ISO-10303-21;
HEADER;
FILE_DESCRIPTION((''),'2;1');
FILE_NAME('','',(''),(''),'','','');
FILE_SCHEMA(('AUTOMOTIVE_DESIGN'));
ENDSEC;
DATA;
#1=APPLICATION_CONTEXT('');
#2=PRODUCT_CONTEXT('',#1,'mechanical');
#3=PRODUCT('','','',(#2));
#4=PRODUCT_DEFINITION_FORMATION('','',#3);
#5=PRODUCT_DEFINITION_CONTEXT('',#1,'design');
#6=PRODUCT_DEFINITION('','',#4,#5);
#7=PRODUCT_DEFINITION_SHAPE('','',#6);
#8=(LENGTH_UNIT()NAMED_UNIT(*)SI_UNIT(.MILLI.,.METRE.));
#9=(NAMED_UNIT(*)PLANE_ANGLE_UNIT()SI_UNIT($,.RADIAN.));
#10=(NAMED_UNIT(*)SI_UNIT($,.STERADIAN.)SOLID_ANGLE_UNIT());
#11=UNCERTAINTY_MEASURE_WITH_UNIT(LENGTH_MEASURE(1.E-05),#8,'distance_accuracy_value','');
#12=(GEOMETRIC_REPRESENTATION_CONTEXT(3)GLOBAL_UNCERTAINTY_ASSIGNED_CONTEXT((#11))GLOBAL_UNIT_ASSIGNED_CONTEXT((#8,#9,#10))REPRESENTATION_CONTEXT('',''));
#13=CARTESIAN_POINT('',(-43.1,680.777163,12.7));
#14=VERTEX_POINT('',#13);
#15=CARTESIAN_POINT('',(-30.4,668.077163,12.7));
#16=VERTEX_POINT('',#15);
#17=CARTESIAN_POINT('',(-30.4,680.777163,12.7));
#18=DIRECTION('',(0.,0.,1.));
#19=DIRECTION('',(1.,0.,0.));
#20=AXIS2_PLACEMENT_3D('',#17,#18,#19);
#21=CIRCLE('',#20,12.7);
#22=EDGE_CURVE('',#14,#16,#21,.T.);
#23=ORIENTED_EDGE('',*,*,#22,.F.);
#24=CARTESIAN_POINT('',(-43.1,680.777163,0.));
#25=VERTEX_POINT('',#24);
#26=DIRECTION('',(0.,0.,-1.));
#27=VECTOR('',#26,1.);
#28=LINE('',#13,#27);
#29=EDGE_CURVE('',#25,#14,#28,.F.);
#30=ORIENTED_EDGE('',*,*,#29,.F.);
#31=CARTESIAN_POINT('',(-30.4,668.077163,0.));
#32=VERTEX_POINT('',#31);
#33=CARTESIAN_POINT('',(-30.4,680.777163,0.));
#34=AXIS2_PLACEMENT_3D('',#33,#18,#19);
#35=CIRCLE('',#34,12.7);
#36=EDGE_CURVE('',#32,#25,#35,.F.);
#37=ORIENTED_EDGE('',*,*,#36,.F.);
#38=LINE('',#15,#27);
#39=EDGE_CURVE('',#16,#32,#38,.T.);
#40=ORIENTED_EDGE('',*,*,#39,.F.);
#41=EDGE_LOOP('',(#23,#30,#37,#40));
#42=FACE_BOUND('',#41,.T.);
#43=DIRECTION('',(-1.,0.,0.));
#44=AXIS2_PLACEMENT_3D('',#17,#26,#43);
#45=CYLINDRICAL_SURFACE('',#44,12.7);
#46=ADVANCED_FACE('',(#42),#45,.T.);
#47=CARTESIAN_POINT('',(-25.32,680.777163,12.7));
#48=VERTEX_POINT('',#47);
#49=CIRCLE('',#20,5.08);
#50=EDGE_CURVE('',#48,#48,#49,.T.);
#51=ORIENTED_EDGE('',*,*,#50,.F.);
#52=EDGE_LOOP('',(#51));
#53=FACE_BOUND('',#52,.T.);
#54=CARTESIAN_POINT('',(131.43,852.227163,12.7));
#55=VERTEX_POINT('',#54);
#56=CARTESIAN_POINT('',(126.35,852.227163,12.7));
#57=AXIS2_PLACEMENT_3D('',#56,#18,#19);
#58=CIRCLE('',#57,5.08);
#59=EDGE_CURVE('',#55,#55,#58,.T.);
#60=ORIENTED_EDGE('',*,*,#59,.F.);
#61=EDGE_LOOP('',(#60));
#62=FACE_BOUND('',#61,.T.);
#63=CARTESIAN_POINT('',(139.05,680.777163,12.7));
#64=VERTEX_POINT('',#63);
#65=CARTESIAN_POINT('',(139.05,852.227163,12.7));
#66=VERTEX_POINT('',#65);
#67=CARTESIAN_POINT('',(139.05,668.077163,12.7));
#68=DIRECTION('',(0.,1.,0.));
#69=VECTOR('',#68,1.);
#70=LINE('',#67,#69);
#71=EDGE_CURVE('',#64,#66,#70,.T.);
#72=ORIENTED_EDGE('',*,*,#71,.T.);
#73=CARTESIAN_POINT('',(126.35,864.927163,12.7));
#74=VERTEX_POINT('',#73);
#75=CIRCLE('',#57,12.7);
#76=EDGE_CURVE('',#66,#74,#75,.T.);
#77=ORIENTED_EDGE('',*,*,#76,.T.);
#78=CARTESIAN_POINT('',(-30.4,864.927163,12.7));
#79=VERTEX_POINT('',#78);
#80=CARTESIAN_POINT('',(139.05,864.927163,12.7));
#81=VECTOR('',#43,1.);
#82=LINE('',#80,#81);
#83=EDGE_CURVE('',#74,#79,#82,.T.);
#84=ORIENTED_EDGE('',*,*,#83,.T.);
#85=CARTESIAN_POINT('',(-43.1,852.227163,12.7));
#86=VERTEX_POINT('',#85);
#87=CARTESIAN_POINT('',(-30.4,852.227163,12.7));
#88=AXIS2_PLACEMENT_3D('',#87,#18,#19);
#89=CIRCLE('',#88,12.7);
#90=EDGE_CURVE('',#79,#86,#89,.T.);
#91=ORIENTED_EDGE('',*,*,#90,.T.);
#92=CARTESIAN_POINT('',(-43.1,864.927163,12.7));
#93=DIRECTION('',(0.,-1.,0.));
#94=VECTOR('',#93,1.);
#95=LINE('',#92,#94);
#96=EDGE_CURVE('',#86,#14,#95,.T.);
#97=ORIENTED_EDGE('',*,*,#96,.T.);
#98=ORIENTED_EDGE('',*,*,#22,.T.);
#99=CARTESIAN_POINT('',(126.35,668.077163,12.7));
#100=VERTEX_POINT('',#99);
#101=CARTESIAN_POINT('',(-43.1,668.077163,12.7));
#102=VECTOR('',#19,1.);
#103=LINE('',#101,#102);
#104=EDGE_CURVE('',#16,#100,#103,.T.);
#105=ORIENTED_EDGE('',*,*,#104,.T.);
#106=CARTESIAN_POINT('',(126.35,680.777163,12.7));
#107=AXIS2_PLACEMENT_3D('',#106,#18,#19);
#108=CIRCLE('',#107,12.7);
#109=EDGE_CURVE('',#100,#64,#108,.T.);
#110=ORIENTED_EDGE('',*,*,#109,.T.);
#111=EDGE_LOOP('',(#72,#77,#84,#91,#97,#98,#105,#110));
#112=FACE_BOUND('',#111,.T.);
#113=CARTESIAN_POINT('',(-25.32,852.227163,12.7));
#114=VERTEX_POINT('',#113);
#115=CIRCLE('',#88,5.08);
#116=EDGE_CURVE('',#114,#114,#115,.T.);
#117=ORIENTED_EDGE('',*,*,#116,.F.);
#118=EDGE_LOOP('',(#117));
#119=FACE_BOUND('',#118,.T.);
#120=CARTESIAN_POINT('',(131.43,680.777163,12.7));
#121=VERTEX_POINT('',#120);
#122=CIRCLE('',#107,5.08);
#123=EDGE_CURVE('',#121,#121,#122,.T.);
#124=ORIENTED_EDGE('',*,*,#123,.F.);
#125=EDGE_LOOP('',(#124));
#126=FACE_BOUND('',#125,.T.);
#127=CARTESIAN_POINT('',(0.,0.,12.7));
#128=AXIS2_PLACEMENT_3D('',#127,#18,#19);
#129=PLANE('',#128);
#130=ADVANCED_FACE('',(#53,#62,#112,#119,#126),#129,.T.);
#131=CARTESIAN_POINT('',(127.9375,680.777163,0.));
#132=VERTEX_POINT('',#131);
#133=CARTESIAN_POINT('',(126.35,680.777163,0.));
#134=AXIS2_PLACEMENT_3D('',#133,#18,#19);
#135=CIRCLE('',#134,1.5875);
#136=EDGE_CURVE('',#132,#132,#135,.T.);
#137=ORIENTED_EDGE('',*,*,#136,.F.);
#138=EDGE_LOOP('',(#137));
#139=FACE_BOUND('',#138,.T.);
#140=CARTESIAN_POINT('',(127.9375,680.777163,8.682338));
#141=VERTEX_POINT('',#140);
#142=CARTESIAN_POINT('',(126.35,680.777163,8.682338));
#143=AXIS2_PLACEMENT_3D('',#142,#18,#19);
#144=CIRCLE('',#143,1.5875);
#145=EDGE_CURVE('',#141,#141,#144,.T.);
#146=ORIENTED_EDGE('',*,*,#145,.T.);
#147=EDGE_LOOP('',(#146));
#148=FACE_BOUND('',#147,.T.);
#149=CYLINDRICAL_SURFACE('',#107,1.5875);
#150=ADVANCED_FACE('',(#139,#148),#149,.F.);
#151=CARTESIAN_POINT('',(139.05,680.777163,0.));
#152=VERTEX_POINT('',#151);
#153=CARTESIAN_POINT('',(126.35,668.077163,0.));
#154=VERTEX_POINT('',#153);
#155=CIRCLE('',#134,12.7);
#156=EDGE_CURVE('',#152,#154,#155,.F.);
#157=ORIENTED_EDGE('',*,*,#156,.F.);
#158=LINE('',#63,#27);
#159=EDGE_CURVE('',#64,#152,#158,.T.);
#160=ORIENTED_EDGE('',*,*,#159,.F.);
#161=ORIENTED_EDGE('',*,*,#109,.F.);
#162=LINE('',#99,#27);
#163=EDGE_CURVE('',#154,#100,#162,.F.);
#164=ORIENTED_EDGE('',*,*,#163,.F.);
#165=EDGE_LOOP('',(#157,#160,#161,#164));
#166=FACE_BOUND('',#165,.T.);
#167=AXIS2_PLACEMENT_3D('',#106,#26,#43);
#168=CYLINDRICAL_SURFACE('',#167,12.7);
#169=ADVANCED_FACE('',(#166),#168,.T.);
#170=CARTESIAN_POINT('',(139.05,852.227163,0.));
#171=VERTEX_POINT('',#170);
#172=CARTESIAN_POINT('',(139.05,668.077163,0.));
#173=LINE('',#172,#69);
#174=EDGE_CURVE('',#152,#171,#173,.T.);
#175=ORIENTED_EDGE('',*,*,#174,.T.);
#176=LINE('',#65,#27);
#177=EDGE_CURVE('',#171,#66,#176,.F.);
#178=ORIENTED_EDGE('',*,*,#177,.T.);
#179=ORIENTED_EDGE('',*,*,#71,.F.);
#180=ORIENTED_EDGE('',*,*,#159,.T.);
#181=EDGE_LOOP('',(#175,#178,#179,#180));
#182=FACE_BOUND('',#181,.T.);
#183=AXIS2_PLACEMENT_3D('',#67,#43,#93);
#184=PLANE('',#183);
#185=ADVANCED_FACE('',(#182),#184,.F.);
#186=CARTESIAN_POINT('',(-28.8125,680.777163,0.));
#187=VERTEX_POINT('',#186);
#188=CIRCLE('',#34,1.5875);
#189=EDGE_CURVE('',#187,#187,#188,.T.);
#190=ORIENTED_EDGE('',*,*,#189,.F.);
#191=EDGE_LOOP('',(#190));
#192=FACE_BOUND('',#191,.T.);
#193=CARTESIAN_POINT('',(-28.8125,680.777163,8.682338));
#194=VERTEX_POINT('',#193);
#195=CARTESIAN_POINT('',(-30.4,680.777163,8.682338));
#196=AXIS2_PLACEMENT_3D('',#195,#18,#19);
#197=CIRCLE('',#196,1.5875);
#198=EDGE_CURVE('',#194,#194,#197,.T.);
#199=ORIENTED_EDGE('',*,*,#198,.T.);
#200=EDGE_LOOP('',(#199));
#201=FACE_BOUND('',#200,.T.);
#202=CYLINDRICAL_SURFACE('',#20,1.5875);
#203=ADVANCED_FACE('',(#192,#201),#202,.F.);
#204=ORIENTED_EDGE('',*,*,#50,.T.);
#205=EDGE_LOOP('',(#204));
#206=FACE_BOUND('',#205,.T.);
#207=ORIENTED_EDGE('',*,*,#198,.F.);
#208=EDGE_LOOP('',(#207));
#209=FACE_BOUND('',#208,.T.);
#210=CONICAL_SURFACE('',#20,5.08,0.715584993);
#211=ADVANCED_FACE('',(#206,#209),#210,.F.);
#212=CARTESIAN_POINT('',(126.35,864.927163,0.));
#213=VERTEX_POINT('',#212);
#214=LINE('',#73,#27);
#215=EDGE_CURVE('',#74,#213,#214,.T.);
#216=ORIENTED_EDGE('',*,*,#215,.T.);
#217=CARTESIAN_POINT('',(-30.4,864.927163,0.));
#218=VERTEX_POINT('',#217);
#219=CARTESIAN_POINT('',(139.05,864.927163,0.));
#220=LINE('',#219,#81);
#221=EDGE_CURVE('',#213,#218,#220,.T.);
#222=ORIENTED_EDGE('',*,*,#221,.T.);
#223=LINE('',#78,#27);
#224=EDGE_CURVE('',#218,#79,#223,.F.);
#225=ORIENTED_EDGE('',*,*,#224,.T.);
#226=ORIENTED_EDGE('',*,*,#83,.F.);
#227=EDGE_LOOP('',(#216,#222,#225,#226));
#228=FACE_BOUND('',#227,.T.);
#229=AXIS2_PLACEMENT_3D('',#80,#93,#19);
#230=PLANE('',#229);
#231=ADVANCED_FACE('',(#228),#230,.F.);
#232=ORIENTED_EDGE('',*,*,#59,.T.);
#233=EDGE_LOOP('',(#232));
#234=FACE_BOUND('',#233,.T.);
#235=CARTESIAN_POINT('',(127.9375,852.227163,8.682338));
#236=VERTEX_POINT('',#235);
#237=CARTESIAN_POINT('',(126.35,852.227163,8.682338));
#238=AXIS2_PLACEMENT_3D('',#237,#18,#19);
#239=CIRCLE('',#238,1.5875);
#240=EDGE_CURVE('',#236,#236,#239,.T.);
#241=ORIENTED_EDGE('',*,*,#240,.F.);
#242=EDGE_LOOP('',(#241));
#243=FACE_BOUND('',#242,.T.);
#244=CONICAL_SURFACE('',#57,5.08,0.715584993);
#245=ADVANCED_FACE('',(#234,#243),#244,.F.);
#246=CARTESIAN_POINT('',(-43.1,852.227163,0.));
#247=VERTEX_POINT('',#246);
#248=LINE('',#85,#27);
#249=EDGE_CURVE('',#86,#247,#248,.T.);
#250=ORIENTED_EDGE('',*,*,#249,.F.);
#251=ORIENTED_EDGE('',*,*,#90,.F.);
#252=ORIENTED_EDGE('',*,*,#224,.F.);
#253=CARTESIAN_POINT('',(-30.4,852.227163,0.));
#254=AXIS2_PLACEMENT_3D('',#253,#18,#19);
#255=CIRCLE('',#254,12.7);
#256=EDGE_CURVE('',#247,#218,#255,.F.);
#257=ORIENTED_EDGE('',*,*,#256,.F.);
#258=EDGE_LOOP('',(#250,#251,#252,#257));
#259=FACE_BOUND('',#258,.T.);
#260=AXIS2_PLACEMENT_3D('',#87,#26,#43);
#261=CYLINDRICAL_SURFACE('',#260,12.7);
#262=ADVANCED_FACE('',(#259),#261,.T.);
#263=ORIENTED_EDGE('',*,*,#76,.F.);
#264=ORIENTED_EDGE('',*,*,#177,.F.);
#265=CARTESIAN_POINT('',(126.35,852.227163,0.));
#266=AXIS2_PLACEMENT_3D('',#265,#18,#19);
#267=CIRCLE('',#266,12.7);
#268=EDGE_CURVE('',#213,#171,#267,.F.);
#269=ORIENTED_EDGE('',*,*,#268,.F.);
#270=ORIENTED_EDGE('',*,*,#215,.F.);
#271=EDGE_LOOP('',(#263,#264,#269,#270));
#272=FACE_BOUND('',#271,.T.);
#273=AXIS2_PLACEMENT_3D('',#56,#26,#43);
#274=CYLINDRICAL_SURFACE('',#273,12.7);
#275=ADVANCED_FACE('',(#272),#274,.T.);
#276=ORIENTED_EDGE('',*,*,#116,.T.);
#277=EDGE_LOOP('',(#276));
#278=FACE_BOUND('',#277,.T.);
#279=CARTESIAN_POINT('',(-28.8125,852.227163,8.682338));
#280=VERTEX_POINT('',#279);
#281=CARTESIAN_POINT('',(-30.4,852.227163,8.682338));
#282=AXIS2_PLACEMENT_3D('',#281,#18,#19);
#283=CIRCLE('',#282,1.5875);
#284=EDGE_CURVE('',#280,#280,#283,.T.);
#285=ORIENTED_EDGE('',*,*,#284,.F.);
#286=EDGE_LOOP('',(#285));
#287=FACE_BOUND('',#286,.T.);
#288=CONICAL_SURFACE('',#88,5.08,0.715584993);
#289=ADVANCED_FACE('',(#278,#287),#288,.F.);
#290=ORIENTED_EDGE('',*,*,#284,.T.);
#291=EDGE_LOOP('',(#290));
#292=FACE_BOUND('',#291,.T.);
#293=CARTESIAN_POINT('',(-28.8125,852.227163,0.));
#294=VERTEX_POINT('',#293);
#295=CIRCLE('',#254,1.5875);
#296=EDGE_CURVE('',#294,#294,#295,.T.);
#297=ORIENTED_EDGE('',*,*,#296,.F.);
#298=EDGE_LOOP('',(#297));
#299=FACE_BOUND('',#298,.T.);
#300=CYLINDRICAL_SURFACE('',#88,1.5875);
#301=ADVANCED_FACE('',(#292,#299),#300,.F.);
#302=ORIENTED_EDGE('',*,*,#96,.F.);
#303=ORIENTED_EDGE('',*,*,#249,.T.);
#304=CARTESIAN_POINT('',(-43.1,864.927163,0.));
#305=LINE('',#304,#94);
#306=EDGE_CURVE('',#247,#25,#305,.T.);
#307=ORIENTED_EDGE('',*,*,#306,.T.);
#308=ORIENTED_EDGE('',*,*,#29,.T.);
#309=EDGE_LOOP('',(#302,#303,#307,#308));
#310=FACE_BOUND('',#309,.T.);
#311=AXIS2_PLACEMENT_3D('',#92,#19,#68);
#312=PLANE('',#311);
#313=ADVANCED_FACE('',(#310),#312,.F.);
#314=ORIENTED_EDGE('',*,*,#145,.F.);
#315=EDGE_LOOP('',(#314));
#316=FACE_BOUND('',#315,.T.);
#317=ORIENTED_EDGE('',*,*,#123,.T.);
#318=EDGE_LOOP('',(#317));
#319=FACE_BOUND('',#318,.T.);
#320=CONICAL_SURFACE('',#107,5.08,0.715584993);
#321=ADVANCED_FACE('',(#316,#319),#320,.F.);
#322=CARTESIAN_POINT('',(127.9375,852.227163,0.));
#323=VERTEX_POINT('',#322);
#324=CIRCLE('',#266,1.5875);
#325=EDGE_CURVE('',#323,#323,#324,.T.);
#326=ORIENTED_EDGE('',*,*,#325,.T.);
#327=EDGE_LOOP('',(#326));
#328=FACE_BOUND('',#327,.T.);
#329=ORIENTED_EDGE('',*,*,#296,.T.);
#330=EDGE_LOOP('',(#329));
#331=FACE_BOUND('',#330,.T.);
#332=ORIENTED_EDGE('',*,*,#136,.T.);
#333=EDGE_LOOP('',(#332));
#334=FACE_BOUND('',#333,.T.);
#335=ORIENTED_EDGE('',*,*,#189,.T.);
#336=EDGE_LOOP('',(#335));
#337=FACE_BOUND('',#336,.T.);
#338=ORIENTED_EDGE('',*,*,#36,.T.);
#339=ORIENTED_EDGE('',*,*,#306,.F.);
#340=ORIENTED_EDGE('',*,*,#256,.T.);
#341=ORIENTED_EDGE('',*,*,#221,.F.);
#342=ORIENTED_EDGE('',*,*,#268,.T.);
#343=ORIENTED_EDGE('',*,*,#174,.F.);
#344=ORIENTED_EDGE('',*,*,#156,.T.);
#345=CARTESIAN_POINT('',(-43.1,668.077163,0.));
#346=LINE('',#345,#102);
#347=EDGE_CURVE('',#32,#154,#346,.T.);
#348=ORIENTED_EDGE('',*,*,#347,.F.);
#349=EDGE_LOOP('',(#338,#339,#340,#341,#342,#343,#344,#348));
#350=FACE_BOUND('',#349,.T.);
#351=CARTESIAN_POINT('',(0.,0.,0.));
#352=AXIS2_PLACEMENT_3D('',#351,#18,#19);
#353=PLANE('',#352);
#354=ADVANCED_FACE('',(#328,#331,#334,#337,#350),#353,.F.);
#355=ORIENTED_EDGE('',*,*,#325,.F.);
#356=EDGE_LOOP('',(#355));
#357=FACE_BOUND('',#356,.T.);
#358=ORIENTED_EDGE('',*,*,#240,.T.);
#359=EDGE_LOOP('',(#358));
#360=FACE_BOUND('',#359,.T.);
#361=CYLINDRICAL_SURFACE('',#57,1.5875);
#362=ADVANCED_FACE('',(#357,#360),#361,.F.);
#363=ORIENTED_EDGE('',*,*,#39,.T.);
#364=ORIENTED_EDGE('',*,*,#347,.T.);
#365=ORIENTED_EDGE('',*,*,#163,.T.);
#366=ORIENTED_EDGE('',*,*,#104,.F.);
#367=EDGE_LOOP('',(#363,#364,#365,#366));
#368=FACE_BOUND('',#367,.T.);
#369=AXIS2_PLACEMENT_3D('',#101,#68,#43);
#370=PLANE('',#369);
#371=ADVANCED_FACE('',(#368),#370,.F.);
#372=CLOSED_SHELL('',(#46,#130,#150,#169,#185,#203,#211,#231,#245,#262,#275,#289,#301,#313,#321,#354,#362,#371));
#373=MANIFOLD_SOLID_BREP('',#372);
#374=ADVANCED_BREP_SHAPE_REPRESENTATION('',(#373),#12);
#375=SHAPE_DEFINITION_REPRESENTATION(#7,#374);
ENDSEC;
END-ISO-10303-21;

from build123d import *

# Parameters (mm, degrees)
SKETCH1_W           = 182.149999994
SKETCH1_H           = 196.85
BOSS_EXTRUDE1_DEPTH = 12.7
FILLET1_R           = 12.7
HOLE1_D             = 3.175
HOLE1_DEPTH         = 31.75
HOLE1_CSINK_D       = 10.16
HOLE1_CSINK_ANGLE   = 82
HOLE1_TIP           = 0.953866233


with BuildPart() as part:
    # Sketch1 → Boss-Extrude1 (new body)
    with BuildSketch(Plane.XY):
        with Locations((47.975000003, 766.50216301)):
            Rectangle(SKETCH1_W, SKETCH1_H)
    extrude(amount=BOSS_EXTRUDE1_DEPTH)

    # Fillet1
    fillet1_edges = [part.edges().sort_by_distance(p)[0] for p in [
        (-43.099999994, 668.07716301, 6.35),
        (-43.099999994, 864.92716301, 6.35),
        (139.05, 864.92716301, 6.35),
        (139.05, 668.07716301, 6.35),
    ]]
    fillet(fillet1_edges, radius=FILLET1_R)

    # Hole1
    with Locations(Plane(origin=(47.975000003, -457.960607328, 12.7), x_dir=(1, 0, 0), z_dir=(0, 0, 1))):
        with Locations((-78.374999997, 1310.187770337), (-78.374999997, 1138.737770337), (78.374999997, 1138.737770337), (78.374999997, 1310.187770337)):
            CounterSinkHole(HOLE1_D / 2, HOLE1_CSINK_D / 2, depth=HOLE1_DEPTH, counter_sink_angle=HOLE1_CSINK_ANGLE)
            with Locations((0, 0, -(HOLE1_DEPTH + HOLE1_TIP / 2))):  # 118° drill point
                Cone(0, HOLE1_D / 2, HOLE1_TIP, mode=Mode.SUBTRACT)


solid = part.part
